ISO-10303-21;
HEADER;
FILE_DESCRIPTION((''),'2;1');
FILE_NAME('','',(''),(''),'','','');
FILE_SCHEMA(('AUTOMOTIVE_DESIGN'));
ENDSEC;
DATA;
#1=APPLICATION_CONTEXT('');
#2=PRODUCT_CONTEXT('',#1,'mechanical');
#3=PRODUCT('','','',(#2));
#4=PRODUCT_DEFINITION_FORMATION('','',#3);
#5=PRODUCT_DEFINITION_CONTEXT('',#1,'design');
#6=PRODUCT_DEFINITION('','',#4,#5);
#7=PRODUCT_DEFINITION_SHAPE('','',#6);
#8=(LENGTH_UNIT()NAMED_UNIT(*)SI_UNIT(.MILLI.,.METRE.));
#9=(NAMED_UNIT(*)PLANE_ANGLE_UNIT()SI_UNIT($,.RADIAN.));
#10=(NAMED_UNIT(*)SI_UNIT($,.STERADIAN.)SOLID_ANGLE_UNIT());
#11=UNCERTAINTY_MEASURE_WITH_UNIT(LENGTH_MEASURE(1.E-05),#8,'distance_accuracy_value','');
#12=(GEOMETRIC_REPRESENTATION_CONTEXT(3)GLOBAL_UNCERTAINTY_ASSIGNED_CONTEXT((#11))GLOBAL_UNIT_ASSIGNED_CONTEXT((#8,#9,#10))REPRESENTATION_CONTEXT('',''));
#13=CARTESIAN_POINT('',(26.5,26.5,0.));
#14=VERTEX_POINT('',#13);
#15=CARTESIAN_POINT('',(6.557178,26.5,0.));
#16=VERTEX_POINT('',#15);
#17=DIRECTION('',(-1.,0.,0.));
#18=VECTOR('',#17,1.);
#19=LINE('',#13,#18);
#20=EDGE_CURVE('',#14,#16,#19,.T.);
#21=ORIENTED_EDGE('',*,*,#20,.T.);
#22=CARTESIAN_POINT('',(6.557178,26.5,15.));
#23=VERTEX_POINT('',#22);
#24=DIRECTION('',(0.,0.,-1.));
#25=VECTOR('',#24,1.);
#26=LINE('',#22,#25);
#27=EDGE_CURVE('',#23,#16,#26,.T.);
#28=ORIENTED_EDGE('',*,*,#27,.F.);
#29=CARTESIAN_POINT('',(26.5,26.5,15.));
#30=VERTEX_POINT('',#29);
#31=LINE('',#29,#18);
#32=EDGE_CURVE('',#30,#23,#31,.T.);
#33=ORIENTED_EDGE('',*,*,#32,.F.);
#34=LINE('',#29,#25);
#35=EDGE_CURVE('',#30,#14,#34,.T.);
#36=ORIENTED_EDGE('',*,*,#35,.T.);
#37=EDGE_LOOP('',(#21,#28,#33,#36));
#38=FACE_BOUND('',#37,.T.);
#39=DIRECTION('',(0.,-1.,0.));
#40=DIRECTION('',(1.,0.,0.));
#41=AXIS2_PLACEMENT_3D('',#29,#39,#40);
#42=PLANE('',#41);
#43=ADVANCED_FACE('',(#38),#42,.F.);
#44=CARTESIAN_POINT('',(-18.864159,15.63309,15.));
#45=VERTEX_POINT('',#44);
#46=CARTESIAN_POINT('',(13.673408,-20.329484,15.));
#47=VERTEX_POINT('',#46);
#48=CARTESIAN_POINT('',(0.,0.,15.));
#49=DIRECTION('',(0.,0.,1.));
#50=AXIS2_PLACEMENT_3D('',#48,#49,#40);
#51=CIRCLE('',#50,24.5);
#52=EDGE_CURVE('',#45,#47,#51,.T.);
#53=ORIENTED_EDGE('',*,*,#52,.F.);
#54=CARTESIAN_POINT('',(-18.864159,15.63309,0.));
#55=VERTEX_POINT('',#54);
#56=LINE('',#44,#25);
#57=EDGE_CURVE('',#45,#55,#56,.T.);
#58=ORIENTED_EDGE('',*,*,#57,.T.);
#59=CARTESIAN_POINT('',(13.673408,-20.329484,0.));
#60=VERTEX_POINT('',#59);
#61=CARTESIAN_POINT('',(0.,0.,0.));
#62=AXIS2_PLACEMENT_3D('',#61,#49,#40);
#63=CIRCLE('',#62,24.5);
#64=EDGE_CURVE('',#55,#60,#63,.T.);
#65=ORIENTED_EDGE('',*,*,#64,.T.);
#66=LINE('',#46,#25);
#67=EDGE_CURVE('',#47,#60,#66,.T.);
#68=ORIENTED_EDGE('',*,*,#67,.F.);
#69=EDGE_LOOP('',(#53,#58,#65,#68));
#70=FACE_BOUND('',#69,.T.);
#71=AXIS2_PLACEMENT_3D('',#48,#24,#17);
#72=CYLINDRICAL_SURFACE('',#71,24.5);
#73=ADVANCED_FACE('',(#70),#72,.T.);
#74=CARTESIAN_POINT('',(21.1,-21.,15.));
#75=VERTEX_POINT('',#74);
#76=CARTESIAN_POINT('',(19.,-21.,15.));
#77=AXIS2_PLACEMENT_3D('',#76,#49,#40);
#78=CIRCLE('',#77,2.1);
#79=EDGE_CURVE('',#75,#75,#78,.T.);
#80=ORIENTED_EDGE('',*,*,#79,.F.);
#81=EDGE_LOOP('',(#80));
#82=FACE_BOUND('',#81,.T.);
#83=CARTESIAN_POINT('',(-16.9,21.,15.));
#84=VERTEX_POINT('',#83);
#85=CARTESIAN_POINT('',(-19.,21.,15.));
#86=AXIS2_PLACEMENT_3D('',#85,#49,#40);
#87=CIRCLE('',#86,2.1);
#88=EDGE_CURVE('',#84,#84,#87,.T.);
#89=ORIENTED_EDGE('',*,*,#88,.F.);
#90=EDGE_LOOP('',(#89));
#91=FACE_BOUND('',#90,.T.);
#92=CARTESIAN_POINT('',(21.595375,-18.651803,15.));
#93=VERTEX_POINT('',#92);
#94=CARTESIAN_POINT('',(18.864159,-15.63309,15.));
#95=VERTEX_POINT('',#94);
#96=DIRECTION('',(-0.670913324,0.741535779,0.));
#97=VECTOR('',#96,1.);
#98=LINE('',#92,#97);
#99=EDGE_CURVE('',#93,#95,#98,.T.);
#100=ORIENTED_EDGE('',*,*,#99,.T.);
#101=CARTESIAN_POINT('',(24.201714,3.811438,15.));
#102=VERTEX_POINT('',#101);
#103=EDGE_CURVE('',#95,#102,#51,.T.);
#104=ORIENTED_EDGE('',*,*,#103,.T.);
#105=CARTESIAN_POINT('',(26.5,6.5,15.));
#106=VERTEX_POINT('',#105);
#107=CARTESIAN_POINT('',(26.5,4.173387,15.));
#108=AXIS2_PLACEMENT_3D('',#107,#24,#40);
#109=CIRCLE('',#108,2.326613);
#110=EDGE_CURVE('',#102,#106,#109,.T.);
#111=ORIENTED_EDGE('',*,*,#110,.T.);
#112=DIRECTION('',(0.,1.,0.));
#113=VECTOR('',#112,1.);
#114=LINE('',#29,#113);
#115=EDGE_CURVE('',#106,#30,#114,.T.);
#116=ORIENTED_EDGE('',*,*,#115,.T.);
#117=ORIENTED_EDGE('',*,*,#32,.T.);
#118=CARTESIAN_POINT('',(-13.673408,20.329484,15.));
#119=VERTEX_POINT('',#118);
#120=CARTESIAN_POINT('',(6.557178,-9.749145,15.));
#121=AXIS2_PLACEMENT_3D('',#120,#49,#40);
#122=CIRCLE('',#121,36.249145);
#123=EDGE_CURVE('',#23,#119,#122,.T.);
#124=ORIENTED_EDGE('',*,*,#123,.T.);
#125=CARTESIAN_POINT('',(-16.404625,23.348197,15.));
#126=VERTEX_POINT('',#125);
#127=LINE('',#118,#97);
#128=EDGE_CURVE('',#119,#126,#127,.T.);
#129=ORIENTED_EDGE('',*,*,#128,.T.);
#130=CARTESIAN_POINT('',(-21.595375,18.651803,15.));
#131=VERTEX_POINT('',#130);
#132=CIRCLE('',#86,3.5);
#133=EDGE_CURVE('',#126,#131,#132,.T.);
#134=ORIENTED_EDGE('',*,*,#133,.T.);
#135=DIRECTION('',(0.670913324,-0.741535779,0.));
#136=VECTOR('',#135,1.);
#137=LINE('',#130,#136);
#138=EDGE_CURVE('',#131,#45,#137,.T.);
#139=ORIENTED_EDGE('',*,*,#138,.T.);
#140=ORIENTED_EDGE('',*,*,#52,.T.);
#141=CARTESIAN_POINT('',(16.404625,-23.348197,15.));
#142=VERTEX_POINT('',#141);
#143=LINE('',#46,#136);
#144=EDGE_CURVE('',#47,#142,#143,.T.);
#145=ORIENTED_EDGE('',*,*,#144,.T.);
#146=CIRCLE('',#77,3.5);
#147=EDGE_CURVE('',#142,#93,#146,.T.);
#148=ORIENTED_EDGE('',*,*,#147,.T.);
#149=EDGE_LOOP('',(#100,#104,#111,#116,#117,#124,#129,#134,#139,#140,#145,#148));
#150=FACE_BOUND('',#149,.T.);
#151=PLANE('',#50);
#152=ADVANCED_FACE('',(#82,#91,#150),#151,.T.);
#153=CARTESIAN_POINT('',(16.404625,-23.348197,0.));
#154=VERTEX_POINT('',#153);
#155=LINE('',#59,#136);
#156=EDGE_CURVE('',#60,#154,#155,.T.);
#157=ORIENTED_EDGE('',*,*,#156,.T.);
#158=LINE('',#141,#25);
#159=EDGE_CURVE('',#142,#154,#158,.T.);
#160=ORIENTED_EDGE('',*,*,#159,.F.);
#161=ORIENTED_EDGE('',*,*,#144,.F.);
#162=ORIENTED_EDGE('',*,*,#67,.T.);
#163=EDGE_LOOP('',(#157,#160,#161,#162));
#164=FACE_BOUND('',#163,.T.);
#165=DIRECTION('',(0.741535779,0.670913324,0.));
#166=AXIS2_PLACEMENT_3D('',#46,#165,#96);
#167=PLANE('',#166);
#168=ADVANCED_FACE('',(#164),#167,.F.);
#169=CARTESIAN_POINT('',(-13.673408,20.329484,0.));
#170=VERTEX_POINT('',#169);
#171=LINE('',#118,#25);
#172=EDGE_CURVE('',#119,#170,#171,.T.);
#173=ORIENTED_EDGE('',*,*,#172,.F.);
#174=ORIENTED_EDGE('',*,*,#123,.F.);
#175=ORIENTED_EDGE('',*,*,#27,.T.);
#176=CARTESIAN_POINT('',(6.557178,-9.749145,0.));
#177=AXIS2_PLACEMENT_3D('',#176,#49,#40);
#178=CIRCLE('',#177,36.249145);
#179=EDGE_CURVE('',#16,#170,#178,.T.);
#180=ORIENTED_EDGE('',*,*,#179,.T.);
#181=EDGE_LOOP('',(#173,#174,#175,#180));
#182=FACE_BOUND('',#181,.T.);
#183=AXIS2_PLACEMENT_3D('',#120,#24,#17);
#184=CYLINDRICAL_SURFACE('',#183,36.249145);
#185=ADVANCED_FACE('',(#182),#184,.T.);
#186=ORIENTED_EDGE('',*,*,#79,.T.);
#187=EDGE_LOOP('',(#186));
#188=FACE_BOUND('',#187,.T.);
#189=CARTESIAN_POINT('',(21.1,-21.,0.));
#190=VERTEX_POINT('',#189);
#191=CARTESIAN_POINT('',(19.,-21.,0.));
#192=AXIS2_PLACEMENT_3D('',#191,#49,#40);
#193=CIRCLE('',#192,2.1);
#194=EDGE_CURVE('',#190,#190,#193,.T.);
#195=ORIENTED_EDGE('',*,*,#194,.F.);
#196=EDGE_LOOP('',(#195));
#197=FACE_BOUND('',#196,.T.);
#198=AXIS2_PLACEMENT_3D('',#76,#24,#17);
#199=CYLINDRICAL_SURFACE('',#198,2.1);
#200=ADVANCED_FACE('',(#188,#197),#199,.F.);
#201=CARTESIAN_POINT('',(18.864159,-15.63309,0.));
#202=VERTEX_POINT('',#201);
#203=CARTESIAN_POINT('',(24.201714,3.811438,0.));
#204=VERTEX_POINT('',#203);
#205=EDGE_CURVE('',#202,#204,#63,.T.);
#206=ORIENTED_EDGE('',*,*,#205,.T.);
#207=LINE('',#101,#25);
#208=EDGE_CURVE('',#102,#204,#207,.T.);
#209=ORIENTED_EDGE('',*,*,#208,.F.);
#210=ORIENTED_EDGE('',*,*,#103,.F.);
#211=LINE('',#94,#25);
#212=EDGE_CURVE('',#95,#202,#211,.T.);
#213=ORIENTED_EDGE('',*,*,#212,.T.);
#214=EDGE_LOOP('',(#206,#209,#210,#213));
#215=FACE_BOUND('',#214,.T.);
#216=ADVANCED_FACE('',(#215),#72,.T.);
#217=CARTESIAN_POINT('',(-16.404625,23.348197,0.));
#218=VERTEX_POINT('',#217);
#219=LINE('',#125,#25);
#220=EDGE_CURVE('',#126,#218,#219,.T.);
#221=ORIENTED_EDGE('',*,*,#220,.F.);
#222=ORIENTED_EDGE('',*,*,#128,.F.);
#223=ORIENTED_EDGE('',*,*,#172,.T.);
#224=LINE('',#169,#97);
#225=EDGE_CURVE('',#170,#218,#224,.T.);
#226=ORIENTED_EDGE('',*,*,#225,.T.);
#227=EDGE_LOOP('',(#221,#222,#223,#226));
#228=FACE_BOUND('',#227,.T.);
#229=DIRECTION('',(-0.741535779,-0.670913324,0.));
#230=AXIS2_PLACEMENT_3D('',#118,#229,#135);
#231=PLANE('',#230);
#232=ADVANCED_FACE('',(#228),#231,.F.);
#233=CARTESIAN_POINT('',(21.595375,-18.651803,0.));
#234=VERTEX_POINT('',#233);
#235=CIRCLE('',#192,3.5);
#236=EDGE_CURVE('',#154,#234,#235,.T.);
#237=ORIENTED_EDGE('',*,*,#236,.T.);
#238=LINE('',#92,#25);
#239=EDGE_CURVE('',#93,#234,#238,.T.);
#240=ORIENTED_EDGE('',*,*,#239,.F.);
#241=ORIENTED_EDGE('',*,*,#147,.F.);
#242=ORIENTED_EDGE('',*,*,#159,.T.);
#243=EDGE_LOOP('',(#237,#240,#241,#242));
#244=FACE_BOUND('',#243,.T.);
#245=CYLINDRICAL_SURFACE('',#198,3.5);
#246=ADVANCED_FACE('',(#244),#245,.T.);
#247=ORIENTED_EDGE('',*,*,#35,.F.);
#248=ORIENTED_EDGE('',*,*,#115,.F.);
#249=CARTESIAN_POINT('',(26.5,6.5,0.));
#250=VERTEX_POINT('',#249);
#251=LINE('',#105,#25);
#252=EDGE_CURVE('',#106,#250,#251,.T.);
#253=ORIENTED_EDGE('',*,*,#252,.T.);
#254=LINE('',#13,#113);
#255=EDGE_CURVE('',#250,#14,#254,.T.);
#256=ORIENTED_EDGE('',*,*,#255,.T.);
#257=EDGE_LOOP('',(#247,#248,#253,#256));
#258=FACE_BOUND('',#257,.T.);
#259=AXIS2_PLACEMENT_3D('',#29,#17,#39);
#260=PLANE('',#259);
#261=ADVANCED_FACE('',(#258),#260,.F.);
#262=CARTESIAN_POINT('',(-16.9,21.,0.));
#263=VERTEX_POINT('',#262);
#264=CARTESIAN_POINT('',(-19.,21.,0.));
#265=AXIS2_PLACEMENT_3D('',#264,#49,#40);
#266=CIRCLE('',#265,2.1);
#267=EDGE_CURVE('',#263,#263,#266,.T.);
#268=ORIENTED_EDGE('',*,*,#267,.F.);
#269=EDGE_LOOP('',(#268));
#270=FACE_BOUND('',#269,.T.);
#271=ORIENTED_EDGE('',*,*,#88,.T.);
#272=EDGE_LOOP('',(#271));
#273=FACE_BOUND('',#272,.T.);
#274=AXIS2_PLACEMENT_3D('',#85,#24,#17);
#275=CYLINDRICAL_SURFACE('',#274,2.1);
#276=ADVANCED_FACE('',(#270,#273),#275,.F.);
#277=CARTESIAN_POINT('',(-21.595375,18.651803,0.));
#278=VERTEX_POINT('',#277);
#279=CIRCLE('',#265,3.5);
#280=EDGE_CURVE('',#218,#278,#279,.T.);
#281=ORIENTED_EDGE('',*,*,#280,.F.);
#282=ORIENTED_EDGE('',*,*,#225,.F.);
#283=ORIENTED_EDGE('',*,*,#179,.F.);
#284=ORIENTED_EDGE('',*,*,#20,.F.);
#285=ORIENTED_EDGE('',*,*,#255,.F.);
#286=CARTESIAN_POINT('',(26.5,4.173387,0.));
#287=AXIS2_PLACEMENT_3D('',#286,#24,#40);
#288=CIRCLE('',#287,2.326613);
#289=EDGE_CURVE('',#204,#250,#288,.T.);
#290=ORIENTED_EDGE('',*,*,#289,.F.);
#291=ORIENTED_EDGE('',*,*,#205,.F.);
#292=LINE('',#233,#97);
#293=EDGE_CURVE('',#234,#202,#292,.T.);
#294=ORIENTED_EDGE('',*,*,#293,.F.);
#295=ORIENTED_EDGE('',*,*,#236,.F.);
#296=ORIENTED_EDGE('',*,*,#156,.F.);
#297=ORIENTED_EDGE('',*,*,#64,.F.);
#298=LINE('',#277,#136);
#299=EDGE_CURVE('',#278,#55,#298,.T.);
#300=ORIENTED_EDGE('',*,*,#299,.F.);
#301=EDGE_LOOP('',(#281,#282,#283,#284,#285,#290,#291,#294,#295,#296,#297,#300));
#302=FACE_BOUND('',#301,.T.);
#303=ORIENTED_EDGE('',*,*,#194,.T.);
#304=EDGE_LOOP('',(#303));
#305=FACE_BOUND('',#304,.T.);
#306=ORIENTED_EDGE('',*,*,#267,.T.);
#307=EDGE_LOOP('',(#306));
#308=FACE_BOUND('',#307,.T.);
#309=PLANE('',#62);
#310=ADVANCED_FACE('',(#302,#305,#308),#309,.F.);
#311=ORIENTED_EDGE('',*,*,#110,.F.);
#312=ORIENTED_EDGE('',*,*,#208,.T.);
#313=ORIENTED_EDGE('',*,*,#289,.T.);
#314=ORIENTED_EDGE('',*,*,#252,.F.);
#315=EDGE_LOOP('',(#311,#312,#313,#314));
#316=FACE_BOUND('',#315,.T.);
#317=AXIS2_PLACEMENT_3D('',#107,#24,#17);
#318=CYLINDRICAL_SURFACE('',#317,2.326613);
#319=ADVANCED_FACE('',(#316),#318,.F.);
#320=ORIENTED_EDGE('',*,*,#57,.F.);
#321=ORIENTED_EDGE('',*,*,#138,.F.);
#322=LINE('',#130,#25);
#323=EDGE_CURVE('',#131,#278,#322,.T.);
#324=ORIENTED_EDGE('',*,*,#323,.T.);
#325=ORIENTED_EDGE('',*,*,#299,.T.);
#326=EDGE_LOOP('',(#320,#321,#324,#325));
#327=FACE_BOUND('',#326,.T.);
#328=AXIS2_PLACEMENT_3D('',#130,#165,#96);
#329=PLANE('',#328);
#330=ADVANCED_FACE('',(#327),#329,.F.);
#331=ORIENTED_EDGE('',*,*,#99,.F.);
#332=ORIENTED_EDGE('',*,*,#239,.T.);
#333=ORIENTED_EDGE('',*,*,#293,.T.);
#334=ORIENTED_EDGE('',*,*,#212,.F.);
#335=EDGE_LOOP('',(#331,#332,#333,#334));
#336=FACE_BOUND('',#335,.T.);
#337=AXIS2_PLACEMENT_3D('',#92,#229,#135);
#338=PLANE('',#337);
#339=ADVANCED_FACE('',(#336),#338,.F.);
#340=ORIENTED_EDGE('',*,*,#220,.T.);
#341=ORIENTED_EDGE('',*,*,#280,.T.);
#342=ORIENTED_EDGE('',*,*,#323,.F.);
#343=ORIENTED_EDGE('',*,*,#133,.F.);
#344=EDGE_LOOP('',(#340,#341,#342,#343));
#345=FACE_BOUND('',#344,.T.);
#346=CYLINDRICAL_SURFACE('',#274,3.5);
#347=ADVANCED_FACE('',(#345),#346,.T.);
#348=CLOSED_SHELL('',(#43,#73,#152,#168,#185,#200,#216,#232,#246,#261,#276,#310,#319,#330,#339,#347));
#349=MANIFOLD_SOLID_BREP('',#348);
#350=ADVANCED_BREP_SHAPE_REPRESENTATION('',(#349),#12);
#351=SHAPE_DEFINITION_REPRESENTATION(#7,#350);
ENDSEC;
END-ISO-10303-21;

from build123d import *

# Parameters (mm, degrees)
SKETCH1_R           = 2.1
BOSS_EXTRUDE1_DEPTH = 15


with BuildPart() as part:
    # Sketch1 → Boss-Extrude1 (new body)
    with BuildSketch(Plane.XY):
        with BuildLine():
            Line((-21.595375227, 18.651803366), (-18.864158731, 15.633090397))
            ThreePointArc((-18.864158731, 15.633090397), (-18.167626589, -16.437376437), (13.673408277, -20.329483665))
            Line((13.673408277, -20.329483665), (16.404624773, -23.348196634))
            ThreePointArc((16.404624773, -23.348196634), (21.348196634, -23.595375227), (21.595375227, -18.651803366))
            Line((21.595375227, -18.651803366), (18.864158731, -15.633090397))
            ThreePointArc((18.864158731, -15.633090397), (23.626039946, -6.485386377), (24.201713513, 3.811438449))
            ThreePointArc((24.201713513, 3.811438449), (24.731491872, 5.685176303), (26.5, 6.5))
            Line((26.5, 6.5), (26.5, 26.5))
            Line((26.5, 26.5), (6.557177663, 26.5))
            ThreePointArc((6.557177663, 26.5), (-4.018169605, 24.923070714), (-13.673408277, 20.329483665))
            Line((-13.673408277, 20.329483665), (-16.404624773, 23.348196634))
            ThreePointArc((-16.404624773, 23.348196634), (-21.348196634, 23.595375227), (-21.595375227, 18.651803366))
        make_face()
        with Locations((-19, 21)):
            Circle(SKETCH1_R, mode=Mode.SUBTRACT)
        with Locations((19, -21)):
            Circle(SKETCH1_R, mode=Mode.SUBTRACT)
    extrude(amount=BOSS_EXTRUDE1_DEPTH)


solid = part.part
